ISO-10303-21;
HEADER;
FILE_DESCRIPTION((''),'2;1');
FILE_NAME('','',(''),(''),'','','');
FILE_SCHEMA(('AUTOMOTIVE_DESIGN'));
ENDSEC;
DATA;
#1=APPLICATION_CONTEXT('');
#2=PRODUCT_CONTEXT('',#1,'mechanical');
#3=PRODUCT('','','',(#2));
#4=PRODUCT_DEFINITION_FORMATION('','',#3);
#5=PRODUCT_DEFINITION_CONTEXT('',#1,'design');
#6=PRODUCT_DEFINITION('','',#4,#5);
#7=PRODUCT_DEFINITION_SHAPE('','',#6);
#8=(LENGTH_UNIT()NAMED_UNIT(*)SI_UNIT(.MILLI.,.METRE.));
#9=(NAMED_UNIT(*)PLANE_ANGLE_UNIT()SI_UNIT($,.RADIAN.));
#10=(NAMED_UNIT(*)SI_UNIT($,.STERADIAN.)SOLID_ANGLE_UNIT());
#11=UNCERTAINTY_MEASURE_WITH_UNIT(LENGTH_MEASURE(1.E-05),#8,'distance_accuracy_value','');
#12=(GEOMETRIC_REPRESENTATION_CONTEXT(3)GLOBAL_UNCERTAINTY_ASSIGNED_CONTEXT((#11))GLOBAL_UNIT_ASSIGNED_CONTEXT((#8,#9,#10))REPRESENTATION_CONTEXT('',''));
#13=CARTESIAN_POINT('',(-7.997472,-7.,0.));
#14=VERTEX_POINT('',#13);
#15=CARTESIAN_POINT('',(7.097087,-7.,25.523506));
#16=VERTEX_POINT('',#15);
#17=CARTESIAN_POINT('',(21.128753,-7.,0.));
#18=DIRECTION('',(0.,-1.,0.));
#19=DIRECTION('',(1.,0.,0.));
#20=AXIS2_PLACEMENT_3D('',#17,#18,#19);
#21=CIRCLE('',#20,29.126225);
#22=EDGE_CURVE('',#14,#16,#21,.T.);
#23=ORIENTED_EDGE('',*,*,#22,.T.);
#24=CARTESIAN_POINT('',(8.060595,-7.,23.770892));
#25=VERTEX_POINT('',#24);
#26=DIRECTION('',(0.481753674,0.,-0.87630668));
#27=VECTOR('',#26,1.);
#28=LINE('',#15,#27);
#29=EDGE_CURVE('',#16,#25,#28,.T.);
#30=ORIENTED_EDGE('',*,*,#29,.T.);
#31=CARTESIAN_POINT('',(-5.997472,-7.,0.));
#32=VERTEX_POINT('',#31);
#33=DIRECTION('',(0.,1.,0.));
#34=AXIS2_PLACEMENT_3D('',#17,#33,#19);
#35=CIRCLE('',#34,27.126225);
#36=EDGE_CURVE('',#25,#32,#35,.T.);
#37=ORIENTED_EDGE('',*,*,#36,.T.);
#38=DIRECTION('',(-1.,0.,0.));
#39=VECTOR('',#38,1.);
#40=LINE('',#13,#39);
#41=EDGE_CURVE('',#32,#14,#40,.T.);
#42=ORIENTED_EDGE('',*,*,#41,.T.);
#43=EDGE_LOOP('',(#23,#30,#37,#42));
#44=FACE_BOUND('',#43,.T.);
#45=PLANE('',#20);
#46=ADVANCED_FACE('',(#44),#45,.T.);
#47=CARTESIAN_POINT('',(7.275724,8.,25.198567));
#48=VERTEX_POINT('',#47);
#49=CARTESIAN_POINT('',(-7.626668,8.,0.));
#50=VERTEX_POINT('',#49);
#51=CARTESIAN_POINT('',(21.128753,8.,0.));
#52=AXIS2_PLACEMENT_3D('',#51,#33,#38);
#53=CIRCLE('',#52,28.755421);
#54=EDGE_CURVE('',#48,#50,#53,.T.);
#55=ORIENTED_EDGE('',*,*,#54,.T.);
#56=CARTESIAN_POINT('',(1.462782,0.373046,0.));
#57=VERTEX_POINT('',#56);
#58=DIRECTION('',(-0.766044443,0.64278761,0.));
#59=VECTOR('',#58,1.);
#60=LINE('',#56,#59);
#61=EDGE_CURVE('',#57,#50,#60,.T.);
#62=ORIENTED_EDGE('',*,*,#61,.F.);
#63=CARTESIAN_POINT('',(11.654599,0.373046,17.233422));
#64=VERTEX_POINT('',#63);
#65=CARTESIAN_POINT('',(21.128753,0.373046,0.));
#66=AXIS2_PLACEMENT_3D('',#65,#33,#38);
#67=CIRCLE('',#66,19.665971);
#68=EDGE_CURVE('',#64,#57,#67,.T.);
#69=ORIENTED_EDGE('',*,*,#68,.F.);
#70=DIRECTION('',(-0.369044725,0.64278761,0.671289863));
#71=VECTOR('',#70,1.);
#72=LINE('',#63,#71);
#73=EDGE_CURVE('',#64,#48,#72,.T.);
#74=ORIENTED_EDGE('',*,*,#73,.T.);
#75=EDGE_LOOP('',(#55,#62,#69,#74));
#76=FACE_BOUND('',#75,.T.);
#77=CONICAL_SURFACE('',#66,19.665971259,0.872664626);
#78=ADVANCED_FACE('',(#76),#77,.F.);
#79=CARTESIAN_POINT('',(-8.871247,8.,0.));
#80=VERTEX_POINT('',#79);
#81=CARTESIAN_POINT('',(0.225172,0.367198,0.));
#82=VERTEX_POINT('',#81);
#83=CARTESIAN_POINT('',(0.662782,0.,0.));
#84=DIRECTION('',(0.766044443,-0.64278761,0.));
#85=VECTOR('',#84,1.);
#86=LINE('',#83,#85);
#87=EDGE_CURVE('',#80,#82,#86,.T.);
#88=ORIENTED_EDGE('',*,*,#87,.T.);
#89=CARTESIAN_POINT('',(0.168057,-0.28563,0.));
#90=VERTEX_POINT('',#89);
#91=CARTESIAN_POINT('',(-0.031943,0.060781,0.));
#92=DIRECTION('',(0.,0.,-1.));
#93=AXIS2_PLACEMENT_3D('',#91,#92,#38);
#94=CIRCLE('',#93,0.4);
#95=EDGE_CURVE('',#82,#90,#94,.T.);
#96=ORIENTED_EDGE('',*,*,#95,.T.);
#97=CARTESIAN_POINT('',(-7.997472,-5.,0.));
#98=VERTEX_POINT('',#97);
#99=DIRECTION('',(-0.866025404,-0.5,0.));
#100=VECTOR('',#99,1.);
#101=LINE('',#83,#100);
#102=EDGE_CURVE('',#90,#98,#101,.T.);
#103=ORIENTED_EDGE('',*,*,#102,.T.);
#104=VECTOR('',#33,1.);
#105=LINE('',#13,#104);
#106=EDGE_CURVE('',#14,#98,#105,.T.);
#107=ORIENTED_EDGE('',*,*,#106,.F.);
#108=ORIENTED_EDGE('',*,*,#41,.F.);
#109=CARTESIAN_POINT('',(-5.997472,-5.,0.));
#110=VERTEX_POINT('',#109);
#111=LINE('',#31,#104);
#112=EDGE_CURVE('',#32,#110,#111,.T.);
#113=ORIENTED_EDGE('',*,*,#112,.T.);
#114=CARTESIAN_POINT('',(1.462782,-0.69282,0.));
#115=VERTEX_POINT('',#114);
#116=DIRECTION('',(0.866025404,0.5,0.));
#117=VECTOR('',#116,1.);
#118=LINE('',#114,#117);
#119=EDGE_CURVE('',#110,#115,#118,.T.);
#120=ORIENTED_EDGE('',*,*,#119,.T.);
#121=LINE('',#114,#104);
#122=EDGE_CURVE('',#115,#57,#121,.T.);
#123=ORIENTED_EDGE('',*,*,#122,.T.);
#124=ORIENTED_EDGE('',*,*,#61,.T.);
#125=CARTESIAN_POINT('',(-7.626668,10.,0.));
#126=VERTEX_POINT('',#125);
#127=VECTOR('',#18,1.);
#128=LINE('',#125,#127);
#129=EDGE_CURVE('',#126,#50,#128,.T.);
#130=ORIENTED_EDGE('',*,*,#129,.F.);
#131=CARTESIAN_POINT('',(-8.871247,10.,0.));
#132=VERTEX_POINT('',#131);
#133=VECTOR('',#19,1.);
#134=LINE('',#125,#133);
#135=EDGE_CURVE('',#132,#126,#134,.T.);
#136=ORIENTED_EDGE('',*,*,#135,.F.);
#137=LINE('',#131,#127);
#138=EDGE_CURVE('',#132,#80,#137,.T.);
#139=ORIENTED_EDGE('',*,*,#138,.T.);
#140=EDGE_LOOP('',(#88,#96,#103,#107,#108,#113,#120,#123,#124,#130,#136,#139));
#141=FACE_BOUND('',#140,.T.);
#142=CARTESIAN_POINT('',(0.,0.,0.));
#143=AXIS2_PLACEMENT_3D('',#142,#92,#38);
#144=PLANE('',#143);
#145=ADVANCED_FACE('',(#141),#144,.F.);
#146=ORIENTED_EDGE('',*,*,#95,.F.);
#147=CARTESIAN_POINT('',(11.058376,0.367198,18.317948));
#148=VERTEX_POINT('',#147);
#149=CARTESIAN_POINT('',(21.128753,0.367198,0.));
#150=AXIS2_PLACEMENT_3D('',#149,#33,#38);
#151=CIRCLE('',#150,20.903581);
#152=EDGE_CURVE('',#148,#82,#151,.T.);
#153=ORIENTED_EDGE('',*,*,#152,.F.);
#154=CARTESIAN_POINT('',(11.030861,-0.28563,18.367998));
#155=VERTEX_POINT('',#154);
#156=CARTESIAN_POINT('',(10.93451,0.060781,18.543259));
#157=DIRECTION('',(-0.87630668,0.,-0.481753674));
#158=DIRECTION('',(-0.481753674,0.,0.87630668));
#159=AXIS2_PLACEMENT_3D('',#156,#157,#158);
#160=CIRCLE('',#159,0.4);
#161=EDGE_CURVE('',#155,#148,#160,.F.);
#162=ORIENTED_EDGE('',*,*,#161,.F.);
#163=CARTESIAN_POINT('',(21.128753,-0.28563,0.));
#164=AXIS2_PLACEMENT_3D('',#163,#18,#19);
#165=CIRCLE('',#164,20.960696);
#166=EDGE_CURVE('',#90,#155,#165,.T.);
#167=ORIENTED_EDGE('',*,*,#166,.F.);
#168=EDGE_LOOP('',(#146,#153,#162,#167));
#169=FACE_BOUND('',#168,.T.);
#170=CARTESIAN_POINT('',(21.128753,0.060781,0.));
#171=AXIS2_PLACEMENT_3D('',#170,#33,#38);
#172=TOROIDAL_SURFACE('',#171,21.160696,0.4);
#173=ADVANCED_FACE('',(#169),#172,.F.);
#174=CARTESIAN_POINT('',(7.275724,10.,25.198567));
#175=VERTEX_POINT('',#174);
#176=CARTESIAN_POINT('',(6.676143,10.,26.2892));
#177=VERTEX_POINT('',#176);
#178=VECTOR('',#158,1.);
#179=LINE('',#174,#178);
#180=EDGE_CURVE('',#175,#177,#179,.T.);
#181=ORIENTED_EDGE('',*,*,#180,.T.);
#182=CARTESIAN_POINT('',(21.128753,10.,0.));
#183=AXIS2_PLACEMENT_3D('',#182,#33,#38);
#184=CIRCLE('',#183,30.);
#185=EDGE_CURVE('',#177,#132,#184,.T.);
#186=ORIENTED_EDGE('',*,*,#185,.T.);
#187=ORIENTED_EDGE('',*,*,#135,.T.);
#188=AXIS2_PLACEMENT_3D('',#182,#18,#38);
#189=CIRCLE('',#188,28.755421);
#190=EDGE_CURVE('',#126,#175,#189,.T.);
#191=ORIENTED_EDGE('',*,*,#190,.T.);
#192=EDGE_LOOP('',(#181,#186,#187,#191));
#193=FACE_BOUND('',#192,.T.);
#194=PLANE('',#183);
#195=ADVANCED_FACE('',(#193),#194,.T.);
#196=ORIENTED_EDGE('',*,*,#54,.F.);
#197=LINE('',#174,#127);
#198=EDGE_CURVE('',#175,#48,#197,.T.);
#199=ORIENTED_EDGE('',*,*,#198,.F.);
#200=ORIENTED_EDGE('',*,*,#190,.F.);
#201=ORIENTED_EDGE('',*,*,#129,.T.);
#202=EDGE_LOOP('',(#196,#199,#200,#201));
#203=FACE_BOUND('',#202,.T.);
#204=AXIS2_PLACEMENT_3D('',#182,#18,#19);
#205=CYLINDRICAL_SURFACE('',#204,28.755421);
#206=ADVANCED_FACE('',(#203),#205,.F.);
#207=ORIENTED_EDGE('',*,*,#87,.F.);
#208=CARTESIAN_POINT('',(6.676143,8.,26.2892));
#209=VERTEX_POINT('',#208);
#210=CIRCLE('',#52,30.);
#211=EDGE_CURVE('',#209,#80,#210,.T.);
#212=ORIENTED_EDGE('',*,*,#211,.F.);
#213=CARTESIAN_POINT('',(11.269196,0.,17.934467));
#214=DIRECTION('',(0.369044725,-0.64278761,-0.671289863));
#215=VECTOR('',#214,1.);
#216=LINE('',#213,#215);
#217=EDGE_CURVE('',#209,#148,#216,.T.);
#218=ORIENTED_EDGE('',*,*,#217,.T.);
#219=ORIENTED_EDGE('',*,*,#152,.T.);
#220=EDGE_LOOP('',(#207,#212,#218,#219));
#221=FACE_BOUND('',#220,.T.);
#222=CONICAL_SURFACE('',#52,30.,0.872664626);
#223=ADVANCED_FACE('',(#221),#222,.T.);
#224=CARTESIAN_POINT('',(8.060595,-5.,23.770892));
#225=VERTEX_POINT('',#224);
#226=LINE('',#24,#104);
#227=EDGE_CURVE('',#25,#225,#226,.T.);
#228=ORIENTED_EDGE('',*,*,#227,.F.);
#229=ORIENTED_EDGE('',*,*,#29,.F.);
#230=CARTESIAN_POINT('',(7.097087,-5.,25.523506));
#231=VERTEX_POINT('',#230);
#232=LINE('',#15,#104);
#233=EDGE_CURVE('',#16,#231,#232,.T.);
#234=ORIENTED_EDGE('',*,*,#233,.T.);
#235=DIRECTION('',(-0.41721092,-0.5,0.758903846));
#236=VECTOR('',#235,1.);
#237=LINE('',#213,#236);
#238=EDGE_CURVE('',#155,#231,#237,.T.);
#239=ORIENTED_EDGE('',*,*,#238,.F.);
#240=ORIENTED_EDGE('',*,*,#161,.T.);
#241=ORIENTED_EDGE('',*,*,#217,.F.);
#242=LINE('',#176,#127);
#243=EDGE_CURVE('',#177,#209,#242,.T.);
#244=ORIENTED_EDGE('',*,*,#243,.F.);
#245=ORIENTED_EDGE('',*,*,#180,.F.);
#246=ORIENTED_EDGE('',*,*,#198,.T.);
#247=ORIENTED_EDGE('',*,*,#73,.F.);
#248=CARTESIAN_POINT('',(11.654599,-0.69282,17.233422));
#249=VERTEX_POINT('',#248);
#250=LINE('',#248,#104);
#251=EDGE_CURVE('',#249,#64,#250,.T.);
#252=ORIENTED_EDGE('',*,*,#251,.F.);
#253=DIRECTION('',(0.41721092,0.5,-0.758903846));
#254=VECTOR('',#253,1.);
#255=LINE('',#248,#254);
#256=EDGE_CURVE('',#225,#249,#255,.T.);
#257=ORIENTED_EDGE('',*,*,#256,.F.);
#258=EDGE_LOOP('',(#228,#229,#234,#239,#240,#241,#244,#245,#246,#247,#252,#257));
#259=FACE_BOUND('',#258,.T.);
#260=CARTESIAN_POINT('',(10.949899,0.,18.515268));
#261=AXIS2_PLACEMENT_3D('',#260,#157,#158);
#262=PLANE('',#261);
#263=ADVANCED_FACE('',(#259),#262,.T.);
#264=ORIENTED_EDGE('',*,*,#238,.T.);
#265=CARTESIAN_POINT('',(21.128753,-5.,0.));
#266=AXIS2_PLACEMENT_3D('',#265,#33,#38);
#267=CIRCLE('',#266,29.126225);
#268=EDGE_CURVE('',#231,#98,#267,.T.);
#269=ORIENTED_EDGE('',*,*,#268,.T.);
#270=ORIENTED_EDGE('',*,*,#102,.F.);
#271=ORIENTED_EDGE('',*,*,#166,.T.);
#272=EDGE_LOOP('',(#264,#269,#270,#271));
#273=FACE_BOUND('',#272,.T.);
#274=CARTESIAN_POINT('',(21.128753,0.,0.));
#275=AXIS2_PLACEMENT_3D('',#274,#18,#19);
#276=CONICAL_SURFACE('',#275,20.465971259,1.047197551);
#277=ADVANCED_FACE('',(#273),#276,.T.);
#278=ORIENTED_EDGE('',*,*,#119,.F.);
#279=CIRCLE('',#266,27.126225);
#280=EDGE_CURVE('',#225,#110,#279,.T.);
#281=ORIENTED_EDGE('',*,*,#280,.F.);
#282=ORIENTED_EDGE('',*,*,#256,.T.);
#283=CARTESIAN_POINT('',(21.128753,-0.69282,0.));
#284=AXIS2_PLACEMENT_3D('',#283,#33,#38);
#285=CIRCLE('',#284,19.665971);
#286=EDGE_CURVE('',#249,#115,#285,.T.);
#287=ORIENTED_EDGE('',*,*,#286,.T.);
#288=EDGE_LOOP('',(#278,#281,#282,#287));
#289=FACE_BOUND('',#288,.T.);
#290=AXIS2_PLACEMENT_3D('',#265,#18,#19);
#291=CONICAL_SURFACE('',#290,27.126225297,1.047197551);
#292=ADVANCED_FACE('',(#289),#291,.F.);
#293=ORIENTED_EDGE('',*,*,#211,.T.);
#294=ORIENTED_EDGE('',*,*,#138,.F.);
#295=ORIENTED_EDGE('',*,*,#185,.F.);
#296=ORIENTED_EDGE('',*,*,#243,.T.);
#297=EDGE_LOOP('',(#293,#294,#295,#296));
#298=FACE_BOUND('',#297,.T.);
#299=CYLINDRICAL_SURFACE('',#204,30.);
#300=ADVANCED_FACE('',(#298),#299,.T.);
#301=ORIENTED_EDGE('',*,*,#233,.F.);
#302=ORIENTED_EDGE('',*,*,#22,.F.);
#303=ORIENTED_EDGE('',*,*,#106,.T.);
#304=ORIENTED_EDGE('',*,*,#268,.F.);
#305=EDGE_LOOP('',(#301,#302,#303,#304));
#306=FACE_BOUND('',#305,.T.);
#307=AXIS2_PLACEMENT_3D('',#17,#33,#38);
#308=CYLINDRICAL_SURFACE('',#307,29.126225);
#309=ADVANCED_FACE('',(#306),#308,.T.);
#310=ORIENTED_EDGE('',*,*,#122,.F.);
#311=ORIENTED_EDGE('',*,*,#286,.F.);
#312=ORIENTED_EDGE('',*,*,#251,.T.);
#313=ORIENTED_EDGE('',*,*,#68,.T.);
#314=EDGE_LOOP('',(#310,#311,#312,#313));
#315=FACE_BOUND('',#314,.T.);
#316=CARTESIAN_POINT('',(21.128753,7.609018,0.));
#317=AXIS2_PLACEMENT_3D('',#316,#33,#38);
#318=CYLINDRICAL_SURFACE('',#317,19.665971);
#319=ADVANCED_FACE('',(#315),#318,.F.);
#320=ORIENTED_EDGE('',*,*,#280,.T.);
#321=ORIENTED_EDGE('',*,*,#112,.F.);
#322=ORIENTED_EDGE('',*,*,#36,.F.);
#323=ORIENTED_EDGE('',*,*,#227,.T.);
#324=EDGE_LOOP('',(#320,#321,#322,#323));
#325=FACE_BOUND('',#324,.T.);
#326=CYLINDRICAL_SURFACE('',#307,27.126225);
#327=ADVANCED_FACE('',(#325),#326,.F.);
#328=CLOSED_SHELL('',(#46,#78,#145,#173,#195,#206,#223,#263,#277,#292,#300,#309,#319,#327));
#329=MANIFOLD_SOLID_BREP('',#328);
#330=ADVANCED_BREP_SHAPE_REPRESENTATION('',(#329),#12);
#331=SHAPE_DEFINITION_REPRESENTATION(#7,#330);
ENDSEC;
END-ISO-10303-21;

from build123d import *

# Parameters (mm, degrees)
REVOLVE1_ANGLE      = 298.8
FILLET2_R           = 0.4
BOSS_EXTRUDE1_DEPTH = 2
BOSS_EXTRUDE2_DEPTH = 2


with BuildPart() as part:
    # Sketch1 → Revolve1 (revolve)
    with BuildSketch(Plane.XY):
        Polygon((0.662781953, 0), (-8.871246788, 8), (-7.626667727, 8), (1.462781953, 0.373046127), (1.462781953, -0.692820323), (-5.997472085, -5), (-7.997472085, -5), align=None)
    revolve(axis=Axis((21.128753212, 7.609018033, 0), (0, -1, 0)), revolution_arc=REVOLVE1_ANGLE)

    # Fillet2
    fillet2_edges = [part.edges().sort_by_distance(p)[0] for p in [
        (38.744674798, 0, -10.418026985),
    ]]
    fillet(fillet2_edges, radius=FILLET2_R)

    # Sketch2 → Boss-Extrude1 (add)
    with BuildSketch(Plane(origin=(0, 8, 0), x_dir=(1, 0, 0), z_dir=(0, 1, 0))):
        with BuildLine():
            Line((7.275723524, -25.198567456), (6.676142989, -26.289200401))
            ThreePointArc((6.676142989, -26.289200401), (46.951014022, 15.271242473), (-8.871246788, 0))
            Line((-8.871246788, 0), (-7.626667727, 0))
            ThreePointArc((-7.626667727, 0), (45.879752518, 14.637700185), (7.275723524, -25.198567456))
        make_face()
    extrude(amount=BOSS_EXTRUDE1_DEPTH)

    # Sketch3 → Boss-Extrude2 (add)
    with BuildSketch(Plane.XZ.offset(5)):
        with BuildLine():
            Line((-7.997472085, 0), (-5.997472085, 0))
            ThreePointArc((-5.997472085, 0), (44.477435359, -13.808372129), (8.06059451, 23.770892432))
            Line((8.06059451, 23.770892432), (7.097087162, 25.523505792))
            ThreePointArc((7.097087162, 25.523505792), (46.198919413, -14.826454961), (-7.997472085, 0))
        make_face()
    extrude(amount=BOSS_EXTRUDE2_DEPTH)


solid = part.part
